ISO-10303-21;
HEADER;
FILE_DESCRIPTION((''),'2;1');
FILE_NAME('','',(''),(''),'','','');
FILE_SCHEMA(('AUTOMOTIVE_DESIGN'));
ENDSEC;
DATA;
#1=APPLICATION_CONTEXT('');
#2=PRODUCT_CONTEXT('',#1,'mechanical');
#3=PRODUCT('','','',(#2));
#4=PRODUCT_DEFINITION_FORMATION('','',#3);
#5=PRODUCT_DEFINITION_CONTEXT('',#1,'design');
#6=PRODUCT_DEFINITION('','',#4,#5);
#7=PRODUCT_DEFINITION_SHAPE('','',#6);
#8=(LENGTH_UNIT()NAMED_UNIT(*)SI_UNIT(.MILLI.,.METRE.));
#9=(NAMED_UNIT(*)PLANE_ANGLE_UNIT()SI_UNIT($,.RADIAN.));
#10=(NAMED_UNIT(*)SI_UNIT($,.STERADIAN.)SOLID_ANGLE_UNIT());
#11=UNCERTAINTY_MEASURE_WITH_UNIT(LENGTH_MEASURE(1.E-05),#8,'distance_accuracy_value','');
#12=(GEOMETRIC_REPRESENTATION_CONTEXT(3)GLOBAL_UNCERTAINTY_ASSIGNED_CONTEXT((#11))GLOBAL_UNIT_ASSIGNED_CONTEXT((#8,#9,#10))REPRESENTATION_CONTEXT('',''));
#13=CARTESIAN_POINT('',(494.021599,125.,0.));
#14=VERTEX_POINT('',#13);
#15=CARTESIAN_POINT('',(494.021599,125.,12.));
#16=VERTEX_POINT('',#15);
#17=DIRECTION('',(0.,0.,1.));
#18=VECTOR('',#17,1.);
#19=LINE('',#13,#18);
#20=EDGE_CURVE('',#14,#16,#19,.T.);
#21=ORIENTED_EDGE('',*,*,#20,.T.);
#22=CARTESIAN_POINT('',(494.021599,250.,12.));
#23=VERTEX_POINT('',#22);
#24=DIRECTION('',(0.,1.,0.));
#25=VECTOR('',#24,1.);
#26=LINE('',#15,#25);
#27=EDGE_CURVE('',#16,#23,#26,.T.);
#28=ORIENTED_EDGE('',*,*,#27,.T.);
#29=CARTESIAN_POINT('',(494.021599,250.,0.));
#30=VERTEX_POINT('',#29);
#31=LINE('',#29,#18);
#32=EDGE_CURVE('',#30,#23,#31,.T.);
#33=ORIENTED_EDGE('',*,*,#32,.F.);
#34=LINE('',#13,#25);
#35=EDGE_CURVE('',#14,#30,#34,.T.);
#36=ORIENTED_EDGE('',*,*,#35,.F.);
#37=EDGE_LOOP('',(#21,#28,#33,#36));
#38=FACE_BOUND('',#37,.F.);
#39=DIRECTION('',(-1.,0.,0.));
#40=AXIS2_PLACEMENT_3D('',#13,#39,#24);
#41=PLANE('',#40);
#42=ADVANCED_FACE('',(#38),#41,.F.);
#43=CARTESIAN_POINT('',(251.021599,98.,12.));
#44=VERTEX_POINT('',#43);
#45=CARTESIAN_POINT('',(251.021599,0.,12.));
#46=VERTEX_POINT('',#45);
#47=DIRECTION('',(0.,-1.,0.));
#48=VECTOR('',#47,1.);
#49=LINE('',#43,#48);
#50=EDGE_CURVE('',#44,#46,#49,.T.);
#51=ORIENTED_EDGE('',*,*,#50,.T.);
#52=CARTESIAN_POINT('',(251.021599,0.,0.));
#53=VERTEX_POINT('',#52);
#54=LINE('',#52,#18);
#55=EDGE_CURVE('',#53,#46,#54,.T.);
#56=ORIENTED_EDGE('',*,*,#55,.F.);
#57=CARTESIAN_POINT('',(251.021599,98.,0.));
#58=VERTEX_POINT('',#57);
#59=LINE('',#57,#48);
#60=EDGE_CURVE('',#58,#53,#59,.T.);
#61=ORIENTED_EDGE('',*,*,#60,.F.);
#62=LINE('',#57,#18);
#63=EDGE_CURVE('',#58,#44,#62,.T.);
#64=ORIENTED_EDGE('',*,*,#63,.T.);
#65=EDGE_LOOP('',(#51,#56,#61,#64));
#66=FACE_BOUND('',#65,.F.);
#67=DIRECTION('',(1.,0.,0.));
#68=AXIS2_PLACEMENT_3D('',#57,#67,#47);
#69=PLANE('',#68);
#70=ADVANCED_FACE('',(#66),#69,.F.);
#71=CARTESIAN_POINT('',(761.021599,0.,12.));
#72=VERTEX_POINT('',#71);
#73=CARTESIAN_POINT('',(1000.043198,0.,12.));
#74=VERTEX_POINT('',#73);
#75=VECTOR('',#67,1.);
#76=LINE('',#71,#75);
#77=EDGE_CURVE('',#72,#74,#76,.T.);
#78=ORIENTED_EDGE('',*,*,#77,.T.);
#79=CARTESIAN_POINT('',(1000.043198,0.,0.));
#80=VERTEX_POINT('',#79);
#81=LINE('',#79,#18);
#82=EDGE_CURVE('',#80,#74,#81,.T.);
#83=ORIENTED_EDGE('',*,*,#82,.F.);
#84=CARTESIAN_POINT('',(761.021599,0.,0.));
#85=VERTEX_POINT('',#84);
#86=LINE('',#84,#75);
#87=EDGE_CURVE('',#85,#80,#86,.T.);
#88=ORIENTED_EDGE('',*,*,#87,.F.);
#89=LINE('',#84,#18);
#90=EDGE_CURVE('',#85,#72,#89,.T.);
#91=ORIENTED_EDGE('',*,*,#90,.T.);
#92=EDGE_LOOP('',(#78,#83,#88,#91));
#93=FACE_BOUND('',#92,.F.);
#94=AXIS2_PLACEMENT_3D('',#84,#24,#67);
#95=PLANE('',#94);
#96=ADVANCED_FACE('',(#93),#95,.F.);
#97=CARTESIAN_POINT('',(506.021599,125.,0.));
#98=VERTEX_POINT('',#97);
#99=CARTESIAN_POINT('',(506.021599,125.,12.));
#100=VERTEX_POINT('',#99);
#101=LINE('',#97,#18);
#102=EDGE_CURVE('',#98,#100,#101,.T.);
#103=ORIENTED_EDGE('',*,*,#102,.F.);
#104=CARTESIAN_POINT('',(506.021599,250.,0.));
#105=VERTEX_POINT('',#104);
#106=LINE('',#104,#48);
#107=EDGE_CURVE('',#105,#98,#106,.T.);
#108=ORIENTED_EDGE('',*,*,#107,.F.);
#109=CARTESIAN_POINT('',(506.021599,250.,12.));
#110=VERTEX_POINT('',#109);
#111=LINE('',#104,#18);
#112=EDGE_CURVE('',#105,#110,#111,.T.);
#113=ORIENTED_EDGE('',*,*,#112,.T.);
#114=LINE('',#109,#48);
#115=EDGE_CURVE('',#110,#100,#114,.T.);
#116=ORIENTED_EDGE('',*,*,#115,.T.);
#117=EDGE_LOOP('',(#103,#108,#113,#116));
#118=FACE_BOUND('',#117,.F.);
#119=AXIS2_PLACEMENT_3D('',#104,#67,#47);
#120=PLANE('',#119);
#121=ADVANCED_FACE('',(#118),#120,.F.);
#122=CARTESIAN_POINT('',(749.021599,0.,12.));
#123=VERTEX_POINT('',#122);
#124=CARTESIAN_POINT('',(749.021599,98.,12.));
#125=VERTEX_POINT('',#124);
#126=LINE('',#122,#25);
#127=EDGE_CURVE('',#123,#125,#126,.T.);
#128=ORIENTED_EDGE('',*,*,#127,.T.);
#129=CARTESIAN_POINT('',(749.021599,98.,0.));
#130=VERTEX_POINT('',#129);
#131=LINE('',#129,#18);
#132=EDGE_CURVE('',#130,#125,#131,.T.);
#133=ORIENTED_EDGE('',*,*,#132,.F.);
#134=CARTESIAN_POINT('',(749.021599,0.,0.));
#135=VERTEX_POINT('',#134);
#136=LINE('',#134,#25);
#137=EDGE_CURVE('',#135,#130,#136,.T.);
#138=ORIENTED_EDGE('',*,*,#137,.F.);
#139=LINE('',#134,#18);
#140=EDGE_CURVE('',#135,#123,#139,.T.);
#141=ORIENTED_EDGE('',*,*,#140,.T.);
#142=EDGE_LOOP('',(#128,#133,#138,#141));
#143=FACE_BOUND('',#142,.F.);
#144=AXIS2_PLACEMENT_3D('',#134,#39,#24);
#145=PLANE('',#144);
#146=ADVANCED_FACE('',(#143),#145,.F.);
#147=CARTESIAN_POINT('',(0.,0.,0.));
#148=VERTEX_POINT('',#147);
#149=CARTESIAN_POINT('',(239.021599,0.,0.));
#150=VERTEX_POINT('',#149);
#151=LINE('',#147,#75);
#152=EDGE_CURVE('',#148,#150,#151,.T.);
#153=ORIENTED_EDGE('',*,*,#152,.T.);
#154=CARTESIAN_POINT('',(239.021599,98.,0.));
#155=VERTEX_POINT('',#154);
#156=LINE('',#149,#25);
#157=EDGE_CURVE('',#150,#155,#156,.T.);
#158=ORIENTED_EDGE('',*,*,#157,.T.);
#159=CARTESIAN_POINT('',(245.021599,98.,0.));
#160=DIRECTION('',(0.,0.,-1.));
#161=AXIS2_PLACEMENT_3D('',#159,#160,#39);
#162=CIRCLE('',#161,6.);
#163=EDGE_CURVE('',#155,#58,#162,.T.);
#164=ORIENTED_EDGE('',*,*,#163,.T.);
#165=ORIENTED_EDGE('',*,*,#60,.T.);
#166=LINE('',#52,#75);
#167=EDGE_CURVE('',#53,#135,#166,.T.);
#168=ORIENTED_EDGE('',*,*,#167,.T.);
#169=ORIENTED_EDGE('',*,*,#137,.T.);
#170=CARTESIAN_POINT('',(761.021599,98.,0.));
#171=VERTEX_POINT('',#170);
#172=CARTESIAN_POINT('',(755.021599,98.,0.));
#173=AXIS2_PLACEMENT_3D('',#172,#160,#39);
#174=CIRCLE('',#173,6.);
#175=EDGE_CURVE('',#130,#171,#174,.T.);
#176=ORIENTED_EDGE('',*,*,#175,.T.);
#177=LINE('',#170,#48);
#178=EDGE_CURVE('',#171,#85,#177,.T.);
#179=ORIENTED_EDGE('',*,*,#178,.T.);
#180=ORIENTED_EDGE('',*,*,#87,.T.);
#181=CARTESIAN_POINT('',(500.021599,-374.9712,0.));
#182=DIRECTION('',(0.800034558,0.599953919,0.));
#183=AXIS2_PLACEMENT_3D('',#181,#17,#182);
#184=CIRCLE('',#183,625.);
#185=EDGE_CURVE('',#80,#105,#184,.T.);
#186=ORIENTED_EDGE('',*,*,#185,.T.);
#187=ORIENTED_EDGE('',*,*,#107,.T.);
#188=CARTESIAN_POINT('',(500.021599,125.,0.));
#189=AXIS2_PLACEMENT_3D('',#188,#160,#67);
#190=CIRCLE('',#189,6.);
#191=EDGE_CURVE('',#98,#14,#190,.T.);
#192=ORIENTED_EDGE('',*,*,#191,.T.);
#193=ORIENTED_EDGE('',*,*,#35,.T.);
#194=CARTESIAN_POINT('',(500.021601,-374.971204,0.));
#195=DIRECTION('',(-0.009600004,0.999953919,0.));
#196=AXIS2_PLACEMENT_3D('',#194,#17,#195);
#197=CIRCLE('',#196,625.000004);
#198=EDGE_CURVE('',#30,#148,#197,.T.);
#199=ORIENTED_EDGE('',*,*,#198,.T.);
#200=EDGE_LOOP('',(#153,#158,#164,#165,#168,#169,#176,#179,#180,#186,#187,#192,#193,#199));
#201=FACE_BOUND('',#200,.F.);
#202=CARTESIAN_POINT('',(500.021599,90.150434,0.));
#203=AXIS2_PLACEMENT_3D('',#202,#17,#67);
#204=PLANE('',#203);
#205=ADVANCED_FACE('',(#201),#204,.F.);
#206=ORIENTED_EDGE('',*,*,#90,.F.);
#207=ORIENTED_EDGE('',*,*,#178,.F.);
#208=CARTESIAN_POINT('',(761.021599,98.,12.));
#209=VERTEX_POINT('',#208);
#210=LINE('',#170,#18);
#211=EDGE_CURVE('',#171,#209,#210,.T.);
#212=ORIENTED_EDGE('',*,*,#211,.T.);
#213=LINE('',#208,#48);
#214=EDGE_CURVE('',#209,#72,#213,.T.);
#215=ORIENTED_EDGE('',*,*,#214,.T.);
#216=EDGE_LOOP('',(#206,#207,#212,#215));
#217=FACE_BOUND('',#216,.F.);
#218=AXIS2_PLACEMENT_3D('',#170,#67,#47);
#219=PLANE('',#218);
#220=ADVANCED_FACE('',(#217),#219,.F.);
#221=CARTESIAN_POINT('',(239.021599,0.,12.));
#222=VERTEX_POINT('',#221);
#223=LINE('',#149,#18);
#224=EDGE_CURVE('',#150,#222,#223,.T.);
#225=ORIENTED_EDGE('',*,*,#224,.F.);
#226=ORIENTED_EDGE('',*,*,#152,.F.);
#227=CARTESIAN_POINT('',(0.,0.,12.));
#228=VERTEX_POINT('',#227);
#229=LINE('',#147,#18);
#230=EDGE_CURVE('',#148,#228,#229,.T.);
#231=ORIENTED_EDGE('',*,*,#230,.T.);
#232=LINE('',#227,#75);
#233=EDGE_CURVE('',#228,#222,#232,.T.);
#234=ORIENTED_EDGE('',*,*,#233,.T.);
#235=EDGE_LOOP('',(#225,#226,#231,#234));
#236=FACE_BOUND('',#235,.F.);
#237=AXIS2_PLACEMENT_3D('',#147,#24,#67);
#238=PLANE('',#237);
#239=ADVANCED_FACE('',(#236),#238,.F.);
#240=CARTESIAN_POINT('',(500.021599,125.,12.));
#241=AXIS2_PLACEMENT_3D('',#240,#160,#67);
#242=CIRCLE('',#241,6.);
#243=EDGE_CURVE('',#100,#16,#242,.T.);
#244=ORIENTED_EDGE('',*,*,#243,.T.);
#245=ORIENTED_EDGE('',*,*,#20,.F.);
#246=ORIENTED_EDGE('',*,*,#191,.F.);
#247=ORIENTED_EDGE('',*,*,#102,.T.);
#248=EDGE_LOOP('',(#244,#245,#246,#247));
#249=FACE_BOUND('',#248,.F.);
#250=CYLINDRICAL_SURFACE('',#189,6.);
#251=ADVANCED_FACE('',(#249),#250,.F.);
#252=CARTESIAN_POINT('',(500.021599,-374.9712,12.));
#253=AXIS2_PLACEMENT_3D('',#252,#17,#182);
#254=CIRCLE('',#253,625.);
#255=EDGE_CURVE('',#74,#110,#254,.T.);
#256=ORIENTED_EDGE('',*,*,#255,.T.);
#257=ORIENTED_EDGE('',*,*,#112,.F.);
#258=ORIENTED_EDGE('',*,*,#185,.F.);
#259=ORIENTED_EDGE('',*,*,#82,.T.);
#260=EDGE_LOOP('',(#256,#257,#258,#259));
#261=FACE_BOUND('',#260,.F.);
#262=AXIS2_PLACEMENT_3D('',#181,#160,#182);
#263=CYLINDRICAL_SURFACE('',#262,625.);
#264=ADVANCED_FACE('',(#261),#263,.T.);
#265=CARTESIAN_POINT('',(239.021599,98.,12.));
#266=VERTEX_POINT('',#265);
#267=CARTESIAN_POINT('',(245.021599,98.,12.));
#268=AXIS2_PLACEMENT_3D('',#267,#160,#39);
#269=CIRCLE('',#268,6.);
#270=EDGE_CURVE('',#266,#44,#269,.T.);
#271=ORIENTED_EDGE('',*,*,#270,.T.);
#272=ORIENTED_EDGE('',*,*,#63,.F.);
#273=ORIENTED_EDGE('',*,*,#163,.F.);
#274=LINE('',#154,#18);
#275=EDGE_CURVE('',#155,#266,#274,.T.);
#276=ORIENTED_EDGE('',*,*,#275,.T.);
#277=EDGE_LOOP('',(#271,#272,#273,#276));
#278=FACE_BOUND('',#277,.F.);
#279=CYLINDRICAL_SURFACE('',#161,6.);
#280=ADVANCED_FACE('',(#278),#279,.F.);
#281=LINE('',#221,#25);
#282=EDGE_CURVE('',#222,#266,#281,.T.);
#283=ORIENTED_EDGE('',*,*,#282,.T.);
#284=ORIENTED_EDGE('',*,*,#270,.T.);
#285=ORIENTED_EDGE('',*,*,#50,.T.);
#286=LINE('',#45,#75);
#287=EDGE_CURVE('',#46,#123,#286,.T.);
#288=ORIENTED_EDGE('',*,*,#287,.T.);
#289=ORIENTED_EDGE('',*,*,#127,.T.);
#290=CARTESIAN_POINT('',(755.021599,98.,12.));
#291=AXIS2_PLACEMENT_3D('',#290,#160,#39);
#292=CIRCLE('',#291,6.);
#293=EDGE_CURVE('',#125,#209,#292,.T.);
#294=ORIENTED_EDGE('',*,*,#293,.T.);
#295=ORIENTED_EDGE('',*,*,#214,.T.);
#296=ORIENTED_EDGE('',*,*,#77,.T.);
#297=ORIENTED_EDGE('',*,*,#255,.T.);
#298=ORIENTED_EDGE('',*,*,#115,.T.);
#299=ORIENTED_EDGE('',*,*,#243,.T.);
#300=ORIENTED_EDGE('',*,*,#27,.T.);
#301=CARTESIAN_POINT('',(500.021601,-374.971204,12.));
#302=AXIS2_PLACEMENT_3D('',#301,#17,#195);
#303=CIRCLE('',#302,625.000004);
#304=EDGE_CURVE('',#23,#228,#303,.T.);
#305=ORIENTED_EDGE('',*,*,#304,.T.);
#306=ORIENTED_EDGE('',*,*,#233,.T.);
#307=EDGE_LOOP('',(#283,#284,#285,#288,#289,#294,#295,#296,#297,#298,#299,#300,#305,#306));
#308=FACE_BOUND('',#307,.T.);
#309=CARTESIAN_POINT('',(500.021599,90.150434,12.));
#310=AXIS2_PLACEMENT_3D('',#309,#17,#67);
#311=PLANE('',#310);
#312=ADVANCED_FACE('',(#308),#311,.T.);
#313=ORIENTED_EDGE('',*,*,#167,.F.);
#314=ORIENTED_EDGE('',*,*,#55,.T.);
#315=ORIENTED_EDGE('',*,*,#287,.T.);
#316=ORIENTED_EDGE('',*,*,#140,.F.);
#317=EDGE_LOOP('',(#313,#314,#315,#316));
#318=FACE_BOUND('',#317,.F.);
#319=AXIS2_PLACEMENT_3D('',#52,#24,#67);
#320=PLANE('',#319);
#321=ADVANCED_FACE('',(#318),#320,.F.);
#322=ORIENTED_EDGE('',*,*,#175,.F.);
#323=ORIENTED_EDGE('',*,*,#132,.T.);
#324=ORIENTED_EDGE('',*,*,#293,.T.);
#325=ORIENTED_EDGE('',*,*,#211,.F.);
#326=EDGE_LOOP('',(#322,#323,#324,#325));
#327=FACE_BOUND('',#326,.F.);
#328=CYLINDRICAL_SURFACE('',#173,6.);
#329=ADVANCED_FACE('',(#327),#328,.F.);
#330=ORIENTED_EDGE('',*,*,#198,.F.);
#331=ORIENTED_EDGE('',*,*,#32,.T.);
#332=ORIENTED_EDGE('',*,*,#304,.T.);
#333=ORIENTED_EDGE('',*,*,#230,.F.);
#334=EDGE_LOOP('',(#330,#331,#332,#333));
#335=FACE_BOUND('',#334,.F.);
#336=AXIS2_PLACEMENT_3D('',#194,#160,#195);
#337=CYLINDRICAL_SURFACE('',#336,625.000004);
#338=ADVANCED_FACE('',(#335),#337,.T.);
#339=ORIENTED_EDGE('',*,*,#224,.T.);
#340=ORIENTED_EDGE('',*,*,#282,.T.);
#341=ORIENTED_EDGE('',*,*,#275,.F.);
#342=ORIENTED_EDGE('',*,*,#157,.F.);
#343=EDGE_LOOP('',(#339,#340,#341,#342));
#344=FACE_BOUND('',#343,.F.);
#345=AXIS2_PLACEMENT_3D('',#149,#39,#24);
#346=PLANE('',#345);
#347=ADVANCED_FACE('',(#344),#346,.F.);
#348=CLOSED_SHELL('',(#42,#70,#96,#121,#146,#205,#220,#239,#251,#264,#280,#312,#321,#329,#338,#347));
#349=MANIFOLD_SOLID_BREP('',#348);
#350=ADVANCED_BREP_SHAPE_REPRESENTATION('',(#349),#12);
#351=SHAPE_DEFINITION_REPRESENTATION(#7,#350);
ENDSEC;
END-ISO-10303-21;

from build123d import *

# Parameters (mm, degrees)
F1_DEPTH = 12


with BuildPart() as f1:
    # F0 (on Top) → F1 (new body)
    with BuildSketch(Plane.XY):
        with BuildLine():
            ThreePointArc((494.021599, 250), (217.816949, 182.689571), (0, 0))
            Line((0, 0), (239.021599, 0))
            Line((239.021599, 0), (239.021599, 98))
            ThreePointArc((239.021599, 98), (245.021599, 104), (251.021599, 98))
            Line((251.021599, 98), (251.021599, 0))
            Line((251.021599, 0), (749.021599, 0))
            Line((749.021599, 0), (749.021599, 98))
            ThreePointArc((749.021599, 98), (755.021599, 104), (761.021599, 98))
            Line((761.021599, 98), (761.021599, 0))
            Line((761.021599, 0), (1000.043198, 0))
            ThreePointArc((1000.043198, 0), (782.22625, 182.689571), (506.021599, 250))
            Line((506.021599, 250), (506.021599, 125))
            ThreePointArc((506.021599, 125), (500.021599, 119), (494.021599, 125))
            Line((494.021599, 125), (494.021599, 250))
        make_face()
    extrude(amount=F1_DEPTH)


solid = f1.part
